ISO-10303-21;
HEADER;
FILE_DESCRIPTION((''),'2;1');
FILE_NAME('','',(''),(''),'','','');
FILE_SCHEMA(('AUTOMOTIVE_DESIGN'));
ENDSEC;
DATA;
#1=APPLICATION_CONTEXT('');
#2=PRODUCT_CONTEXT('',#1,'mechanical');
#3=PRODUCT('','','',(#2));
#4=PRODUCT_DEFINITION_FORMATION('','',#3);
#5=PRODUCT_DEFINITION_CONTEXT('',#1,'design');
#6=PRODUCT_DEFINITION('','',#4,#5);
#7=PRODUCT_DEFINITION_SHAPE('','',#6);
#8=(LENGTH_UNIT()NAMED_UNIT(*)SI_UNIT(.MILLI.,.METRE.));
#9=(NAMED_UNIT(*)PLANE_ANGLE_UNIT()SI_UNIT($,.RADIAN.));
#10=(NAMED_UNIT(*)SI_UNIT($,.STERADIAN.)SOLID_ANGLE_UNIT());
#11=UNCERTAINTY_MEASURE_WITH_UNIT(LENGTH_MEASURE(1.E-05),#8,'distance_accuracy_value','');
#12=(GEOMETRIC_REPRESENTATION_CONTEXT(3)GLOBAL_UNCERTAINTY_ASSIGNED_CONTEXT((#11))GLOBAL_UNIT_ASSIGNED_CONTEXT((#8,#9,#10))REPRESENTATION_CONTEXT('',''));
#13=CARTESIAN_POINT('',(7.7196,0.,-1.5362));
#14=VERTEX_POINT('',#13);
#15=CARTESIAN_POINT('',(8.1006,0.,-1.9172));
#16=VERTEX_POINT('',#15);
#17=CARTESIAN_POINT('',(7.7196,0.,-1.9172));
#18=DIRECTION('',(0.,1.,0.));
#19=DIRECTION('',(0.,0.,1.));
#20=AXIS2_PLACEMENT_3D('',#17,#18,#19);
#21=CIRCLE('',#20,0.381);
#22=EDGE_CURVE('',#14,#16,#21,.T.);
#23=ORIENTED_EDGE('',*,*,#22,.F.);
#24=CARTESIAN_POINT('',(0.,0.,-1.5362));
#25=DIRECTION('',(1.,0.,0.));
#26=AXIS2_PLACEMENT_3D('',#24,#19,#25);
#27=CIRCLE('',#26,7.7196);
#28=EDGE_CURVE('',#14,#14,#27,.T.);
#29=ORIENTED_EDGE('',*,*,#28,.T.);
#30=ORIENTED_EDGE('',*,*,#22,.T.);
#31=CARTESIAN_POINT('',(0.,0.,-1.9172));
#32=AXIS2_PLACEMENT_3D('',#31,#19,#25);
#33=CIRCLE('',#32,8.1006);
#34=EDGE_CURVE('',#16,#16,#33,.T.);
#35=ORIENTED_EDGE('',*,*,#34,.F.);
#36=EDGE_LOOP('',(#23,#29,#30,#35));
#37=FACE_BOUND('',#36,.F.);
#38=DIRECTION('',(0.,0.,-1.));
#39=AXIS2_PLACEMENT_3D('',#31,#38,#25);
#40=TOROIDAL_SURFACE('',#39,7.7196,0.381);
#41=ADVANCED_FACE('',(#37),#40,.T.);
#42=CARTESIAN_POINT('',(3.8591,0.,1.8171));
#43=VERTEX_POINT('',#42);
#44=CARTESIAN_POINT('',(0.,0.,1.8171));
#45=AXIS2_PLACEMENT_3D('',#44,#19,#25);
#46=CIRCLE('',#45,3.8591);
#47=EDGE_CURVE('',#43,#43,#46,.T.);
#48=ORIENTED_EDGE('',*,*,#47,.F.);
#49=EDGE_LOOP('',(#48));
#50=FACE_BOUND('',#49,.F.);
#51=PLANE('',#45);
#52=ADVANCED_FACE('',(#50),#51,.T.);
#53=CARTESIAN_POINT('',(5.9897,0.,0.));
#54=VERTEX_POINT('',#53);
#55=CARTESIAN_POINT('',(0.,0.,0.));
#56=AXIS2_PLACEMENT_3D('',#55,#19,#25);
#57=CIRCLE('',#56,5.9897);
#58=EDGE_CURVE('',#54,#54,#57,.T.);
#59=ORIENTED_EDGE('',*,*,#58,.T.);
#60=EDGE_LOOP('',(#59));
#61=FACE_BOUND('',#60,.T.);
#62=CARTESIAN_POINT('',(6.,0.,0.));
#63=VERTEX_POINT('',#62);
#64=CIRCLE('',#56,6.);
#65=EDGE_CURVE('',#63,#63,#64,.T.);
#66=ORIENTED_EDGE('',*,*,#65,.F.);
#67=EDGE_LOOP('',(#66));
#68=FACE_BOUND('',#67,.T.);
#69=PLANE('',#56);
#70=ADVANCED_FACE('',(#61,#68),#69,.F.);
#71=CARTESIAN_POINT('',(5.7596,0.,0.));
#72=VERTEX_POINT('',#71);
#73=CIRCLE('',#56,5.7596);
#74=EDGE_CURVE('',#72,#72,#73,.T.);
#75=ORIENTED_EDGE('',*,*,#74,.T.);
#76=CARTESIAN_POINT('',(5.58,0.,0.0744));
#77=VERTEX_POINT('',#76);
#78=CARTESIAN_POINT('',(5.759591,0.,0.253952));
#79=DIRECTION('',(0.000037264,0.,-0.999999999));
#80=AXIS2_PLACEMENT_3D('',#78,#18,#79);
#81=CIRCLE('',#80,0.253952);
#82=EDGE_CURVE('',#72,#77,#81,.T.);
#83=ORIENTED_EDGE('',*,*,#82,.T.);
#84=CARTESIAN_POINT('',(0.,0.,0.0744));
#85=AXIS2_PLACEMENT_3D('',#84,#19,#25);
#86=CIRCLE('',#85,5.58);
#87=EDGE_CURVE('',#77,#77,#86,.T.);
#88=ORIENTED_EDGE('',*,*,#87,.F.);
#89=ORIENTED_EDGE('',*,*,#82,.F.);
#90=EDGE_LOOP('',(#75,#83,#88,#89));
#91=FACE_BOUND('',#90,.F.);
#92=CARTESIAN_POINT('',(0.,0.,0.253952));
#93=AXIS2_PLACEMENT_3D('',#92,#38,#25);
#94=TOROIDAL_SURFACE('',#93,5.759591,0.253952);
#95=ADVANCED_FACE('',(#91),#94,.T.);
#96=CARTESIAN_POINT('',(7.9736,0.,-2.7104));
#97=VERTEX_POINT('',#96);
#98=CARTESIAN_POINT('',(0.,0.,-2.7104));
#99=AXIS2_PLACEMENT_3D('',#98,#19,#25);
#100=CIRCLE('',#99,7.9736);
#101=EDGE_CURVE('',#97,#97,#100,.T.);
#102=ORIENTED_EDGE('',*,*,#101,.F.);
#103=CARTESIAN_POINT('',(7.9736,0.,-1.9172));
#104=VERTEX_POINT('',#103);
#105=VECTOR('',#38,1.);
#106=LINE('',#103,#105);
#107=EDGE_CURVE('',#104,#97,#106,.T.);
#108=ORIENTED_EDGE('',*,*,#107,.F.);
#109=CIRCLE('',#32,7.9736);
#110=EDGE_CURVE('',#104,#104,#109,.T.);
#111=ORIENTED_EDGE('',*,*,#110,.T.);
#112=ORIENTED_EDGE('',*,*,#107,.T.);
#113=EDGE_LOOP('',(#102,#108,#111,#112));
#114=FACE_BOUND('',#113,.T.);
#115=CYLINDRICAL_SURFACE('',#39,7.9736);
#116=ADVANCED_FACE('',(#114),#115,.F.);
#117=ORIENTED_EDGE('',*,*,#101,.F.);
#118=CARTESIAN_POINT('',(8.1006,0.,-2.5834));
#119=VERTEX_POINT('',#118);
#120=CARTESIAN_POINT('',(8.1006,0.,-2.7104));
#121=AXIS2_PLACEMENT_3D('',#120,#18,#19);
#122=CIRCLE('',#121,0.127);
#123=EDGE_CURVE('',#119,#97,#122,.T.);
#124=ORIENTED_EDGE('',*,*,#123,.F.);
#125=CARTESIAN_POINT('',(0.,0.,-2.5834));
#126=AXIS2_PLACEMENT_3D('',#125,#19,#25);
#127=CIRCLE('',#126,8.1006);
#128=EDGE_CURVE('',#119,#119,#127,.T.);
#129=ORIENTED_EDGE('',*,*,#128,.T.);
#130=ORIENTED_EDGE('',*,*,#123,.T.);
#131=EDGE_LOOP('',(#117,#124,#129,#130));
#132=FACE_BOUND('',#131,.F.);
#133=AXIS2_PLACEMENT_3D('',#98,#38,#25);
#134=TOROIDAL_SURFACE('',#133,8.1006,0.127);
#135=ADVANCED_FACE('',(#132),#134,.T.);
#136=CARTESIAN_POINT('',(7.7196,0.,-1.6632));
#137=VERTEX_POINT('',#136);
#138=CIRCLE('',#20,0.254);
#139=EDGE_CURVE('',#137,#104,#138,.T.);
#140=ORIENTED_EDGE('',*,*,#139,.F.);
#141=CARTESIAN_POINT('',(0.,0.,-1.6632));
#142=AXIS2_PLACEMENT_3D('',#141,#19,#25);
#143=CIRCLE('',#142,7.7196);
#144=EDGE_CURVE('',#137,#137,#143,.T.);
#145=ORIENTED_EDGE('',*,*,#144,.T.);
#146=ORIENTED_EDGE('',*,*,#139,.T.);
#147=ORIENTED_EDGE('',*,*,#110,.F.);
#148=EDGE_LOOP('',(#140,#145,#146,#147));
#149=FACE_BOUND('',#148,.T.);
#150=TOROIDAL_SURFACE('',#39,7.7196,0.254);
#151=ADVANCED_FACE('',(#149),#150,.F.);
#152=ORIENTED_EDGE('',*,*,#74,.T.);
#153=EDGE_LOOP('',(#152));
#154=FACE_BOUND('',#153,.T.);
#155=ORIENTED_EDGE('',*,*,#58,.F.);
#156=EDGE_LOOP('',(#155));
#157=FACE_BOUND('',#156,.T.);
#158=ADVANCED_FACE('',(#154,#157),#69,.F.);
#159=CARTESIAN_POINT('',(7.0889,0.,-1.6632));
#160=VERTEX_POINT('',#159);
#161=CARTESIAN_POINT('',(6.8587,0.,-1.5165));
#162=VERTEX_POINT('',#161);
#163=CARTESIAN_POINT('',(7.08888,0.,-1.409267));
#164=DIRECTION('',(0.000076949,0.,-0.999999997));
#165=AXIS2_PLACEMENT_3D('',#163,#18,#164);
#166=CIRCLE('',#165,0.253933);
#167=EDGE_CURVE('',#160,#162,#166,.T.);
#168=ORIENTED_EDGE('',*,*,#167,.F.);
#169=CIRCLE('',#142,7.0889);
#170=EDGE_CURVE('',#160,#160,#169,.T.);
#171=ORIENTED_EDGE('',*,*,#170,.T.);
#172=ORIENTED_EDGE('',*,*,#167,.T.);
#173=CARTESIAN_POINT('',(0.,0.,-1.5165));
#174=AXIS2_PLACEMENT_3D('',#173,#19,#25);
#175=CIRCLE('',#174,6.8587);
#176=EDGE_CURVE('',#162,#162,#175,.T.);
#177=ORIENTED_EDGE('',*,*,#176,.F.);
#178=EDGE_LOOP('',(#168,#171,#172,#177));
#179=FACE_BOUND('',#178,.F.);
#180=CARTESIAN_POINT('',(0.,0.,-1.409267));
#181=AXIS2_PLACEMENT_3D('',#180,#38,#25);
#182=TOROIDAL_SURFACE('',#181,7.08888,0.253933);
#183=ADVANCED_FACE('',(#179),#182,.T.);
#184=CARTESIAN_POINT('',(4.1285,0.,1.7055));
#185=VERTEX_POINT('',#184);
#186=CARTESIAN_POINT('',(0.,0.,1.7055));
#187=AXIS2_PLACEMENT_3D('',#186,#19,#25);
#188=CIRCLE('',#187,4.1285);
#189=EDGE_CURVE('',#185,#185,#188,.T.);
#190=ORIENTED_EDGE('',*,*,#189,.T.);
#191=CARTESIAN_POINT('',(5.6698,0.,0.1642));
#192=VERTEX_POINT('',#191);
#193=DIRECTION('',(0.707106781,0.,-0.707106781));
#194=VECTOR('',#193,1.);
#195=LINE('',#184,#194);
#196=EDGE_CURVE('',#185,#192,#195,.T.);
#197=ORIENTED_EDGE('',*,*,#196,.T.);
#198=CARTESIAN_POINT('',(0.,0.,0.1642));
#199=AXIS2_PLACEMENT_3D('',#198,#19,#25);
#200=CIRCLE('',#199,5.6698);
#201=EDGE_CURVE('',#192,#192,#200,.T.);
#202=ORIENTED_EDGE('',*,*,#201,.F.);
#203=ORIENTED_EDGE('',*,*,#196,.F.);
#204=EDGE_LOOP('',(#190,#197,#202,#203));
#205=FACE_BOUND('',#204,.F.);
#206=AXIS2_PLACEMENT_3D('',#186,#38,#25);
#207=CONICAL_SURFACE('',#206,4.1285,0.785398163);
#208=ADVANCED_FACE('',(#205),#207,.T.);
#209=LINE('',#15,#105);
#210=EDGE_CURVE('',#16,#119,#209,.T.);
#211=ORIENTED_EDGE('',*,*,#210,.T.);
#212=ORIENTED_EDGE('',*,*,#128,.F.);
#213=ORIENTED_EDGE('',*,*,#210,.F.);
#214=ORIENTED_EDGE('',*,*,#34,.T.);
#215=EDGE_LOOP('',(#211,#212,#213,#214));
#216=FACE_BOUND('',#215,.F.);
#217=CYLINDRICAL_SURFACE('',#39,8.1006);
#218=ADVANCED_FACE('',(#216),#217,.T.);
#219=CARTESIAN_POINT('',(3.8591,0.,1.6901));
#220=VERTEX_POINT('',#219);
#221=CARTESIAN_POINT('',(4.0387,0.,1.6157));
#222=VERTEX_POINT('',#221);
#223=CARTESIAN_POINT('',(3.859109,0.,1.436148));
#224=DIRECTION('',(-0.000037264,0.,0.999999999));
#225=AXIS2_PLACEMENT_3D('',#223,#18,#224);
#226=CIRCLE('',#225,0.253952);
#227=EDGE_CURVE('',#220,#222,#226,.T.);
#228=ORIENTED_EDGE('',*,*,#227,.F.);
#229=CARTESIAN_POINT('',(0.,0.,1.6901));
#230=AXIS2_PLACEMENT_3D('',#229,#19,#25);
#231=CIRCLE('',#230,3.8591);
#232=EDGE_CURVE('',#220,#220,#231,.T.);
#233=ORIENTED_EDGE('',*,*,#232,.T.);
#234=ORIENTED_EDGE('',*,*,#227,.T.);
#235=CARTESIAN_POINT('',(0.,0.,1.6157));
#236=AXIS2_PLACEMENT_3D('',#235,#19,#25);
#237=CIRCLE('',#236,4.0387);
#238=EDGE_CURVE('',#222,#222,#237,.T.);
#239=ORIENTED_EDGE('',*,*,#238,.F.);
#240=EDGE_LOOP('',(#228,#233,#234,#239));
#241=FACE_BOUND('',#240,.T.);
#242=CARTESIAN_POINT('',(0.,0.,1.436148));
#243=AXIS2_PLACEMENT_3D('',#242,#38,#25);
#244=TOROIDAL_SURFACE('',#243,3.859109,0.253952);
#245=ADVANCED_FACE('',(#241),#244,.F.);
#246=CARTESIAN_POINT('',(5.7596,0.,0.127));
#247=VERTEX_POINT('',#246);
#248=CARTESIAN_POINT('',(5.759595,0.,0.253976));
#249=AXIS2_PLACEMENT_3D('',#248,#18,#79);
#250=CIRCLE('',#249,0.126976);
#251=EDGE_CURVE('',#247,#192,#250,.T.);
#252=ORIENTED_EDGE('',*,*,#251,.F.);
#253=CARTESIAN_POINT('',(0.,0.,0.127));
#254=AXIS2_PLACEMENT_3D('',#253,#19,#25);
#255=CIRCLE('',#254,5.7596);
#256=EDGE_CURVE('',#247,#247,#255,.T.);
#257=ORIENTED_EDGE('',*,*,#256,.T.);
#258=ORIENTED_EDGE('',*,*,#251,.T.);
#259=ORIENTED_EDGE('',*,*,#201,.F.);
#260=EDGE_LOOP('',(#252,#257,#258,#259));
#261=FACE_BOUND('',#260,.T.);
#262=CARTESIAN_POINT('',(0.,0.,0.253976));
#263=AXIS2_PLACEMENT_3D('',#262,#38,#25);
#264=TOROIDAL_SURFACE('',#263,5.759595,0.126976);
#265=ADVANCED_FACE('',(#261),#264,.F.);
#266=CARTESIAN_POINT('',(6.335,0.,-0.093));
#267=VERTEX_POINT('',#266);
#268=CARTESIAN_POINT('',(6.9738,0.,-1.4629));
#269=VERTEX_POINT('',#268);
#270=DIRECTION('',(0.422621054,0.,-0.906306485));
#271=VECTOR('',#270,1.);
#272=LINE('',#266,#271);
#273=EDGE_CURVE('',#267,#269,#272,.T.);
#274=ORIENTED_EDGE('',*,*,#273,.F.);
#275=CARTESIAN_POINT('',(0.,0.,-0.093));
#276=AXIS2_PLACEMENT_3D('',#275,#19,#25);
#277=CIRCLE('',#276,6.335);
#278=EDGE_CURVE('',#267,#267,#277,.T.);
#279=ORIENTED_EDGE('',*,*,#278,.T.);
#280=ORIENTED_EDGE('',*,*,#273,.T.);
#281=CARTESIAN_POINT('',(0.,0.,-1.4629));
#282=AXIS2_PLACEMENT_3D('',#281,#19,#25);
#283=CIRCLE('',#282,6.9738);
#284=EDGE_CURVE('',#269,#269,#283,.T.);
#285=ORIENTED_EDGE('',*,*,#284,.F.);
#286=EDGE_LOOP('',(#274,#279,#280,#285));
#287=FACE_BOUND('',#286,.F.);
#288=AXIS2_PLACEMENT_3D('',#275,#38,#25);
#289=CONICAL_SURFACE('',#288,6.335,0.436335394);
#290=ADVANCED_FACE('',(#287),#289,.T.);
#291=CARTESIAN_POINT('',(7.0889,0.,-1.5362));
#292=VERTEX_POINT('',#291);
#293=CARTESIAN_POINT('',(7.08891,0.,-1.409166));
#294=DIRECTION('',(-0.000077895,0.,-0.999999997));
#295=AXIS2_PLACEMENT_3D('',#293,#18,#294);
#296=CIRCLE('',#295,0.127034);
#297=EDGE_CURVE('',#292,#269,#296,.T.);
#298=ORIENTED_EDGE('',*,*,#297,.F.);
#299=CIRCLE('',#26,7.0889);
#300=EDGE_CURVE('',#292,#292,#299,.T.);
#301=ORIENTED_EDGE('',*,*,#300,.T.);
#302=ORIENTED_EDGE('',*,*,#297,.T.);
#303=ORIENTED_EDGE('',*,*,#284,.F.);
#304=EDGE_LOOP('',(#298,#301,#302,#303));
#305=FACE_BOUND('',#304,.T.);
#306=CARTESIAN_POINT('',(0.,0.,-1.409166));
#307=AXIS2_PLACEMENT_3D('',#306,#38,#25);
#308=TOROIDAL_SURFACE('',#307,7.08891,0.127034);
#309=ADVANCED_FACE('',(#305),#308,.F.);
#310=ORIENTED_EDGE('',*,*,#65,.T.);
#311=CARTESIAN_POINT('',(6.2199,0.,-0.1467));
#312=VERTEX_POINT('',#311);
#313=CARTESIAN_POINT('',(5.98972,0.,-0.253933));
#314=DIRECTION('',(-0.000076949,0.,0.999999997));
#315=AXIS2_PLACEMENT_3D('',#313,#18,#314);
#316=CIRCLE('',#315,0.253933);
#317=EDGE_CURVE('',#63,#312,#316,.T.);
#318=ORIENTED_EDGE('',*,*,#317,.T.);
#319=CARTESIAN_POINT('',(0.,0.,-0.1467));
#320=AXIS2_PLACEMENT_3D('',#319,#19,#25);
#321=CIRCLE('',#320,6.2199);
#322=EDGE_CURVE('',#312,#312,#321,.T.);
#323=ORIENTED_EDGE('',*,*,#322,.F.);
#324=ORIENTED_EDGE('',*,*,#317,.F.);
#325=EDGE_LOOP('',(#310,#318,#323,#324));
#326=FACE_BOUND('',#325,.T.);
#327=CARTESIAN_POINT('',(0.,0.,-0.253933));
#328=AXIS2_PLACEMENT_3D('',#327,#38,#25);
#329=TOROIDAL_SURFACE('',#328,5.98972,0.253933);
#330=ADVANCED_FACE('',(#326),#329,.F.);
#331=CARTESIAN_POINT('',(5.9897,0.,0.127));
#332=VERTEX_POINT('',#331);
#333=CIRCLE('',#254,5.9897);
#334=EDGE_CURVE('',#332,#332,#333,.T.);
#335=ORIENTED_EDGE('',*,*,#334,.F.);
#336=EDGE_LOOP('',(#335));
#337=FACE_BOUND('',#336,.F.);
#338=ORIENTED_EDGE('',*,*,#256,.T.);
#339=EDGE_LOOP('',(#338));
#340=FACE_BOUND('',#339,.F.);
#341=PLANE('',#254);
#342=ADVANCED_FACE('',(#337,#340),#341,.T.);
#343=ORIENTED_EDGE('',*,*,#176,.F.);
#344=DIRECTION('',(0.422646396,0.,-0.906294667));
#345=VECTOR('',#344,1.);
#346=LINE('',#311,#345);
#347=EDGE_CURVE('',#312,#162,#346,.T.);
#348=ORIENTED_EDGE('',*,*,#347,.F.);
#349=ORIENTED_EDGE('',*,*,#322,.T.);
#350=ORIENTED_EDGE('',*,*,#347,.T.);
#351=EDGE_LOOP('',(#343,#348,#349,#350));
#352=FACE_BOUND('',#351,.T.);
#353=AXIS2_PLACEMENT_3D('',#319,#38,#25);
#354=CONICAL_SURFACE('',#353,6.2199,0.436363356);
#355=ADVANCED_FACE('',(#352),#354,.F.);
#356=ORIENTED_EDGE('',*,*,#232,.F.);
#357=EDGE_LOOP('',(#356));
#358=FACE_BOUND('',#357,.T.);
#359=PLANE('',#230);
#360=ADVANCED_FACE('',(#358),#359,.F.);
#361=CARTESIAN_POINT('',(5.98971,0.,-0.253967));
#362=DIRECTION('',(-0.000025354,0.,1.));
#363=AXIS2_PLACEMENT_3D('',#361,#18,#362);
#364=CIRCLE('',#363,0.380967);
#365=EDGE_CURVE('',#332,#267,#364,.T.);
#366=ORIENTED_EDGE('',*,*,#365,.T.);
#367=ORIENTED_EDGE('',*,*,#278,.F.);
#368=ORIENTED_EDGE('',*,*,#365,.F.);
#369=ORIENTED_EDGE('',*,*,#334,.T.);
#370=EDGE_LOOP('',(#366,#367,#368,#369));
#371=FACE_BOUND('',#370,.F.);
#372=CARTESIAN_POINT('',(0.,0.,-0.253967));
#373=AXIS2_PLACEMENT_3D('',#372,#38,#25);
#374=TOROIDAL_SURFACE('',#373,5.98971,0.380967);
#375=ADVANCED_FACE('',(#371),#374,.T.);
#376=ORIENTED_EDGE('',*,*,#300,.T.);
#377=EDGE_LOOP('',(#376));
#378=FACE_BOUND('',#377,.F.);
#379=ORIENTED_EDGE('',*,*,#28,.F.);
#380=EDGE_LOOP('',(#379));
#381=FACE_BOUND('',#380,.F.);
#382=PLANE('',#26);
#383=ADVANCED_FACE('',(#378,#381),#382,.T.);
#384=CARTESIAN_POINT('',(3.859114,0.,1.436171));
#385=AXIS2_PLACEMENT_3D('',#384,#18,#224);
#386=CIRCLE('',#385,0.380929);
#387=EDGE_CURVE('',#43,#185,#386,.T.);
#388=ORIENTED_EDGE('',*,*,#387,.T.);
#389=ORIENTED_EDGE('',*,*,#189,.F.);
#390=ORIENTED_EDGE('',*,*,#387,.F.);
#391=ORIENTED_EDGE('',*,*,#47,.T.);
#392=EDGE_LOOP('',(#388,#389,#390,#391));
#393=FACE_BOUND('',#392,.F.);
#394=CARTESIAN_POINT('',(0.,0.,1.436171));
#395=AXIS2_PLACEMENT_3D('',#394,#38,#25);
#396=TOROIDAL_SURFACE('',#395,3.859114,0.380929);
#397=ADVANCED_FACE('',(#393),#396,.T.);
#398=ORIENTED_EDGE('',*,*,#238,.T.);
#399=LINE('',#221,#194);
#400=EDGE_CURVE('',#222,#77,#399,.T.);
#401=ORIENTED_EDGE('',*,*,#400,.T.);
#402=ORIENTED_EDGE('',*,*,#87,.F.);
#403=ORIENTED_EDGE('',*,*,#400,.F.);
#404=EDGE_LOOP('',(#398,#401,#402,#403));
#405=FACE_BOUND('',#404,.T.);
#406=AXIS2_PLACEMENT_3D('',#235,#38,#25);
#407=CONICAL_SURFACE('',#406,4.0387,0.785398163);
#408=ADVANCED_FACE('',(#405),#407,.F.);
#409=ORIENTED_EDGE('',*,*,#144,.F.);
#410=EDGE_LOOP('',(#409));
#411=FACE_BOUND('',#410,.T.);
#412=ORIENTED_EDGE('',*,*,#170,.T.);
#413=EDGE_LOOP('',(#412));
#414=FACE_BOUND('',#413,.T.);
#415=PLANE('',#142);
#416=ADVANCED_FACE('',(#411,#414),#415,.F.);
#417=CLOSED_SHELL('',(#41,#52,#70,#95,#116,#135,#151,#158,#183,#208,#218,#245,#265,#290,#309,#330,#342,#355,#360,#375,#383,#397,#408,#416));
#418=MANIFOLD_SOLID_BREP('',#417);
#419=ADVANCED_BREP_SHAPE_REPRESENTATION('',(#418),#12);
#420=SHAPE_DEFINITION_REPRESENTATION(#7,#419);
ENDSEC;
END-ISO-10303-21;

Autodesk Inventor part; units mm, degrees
ref_plane "YZ Plane" through (0, 0, 0) normal (1, 0, 0) x (0, 1, 0)
ref_plane "XZ Plane" through (0, 0, 0) normal (0, 1, 0) x (-1, 0, 0)
ref_plane "XY Plane" through (0, 0, 0) normal (0, 0, 1) x (1, 0, 0)
sketch "Sketch1" plane through (0, 0, 0) normal (0, 0, 1) x (1, 0, 0)
  point P0 (0, 0)
sketch "Sketch2" plane through (0, 0, 0) normal (0, 1, 0) x (-1, 0, 0)
  line L0 (1.4612, -3.605) -> (-5.2946, -3.605) projected
  line L1 (6, 0) -> (-6, 0) projected
  line L2 (0, 1.6901) -> (-3.8591, 1.6901)
  line L3 (-4.0387, 1.6157) -> (-5.58, 0.0744)
  line L4 (-5.7596, 0) -> (-5.9897, 0)
  line L5 (-6.2199, -0.1467) -> (-6.8587, -1.5165)
  line L6 (-7.0889, -1.6632) -> (-7.7196, -1.6632)
  line L7 (-7.9736, -1.9172) -> (-7.9736, -2.7104)
  arc A0 (-3.8591, 1.6901) -> (-4.0387, 1.6157) centre (-3.8591, 1.4361) ccw
  arc A1 (-5.7596, 0) -> (-5.58, 0.0744) centre (-5.7596, 0.254) ccw
  arc A2 (-5.9897, 0) -> (-6.2199, -0.1467) centre (-5.9897, -0.254) ccw
  arc A3 (-7.0889, -1.6632) -> (-6.8587, -1.5165) centre (-7.0889, -1.4092) ccw
  arc A4 (-7.7196, -1.6632) -> (-7.9736, -1.9172) centre (-7.7196, -1.9172) ccw
  line L8 (0, 1.8171) -> (-3.8591, 1.8171)
  arc A5 (-3.8591, 1.8171) -> (-4.1285, 1.7055) centre (-3.8591, 1.4361) ccw
  line L9 (-4.1285, 1.7055) -> (-5.6698, 0.1642)
  arc A6 (-5.7596, 0.127) -> (-5.6698, 0.1642) centre (-5.7596, 0.254) ccw
  line L10 (-5.7596, 0.127) -> (-5.9897, 0.127)
  arc A7 (-5.9897, 0.127) -> (-6.335, -0.093) centre (-5.9897, -0.254) ccw
  line L11 (-6.335, -0.093) -> (-6.9738, -1.4629)
  arc A8 (-7.0889, -1.5362) -> (-6.9738, -1.4629) centre (-7.0889, -1.4092) ccw
  line L12 (-7.0889, -1.5362) -> (-7.7196, -1.5362)
  arc A9 (-7.7196, -1.5362) -> (-8.1006, -1.9172) centre (-7.7196, -1.9172) ccw
  line L13 (-8.1006, -1.9172) -> (-8.1006, -2.5834)
  line L14 (0, 1.6901) -> (0, 1.8171)
  arc A10 (-8.1006, -2.5834) -> (-7.9736, -2.7104) centre (-8.1006, -2.7104) ccw
  point P0 (0, 0)
  point P1 (-5.6544, 0)
  dimension "d0" = 45
  dimension "d1" = 115
  dimension "d2" = 0.254
  dimension "d3" = 0.127
revolve "Revolution1" add sketch "Sketch2" angle 360 about axis through (0, 0, 1.6901) along (0, 0, 1)
properties part number "DisceepXL_Case" material "Polycarbonate, Smoke"
